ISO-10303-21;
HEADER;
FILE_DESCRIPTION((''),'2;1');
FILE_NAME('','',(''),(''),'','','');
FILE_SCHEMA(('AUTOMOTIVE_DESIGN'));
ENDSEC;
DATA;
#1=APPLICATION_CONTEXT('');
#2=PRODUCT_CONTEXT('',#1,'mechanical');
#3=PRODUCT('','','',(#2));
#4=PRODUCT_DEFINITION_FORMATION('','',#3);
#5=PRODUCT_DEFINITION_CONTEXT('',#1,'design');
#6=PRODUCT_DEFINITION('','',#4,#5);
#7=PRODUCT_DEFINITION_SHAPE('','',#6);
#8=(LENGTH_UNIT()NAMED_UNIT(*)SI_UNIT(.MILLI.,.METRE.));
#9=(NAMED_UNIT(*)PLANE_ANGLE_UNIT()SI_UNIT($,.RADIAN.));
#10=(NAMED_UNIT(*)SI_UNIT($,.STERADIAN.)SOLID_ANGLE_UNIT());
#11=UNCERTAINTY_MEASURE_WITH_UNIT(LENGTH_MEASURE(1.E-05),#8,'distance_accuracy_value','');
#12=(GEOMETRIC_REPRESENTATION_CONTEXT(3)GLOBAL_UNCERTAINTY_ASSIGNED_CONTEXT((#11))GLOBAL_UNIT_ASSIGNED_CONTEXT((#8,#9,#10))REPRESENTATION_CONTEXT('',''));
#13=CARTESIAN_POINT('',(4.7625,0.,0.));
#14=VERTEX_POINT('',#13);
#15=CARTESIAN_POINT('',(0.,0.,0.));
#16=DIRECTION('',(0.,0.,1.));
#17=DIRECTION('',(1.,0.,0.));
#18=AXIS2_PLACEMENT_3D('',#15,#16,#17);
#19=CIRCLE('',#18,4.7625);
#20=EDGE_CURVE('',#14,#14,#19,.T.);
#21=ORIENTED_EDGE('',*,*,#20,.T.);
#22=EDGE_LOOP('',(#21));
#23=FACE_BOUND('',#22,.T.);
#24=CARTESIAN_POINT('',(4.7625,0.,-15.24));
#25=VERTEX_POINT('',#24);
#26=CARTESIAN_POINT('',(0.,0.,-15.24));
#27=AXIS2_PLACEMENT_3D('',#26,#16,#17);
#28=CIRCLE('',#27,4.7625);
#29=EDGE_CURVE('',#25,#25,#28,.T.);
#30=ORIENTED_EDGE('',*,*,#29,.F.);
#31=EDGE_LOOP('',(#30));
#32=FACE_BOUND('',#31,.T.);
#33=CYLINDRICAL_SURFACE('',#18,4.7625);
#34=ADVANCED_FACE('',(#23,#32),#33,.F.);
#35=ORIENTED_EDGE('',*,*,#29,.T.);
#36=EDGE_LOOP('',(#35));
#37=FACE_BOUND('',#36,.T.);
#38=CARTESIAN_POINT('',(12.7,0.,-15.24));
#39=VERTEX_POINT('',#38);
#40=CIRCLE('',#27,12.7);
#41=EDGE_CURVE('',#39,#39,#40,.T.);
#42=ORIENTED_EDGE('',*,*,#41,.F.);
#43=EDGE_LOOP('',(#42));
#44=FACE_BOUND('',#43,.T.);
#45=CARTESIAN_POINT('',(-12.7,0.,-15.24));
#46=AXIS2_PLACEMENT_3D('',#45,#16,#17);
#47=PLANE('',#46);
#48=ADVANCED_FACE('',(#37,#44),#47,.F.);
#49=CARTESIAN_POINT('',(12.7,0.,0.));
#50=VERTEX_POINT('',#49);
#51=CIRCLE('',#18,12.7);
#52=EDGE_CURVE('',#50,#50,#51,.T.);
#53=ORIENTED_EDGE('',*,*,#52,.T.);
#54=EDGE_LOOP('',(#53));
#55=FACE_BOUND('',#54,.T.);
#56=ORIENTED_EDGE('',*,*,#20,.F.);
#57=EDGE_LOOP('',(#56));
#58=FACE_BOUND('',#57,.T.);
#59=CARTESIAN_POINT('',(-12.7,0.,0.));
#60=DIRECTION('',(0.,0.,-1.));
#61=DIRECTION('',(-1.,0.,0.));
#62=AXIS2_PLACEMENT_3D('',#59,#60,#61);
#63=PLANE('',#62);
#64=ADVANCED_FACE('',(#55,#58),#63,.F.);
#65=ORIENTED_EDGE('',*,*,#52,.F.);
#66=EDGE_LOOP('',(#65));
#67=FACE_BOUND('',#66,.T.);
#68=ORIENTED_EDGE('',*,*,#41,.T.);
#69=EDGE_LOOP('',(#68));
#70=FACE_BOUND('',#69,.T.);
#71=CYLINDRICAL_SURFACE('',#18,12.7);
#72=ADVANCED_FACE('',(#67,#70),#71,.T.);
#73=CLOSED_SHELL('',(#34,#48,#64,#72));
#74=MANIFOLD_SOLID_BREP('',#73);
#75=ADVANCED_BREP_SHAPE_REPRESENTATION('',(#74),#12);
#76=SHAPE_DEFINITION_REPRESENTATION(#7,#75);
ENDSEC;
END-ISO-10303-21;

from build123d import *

# Parameters (mm, degrees)
SKETCH1_W = 7.9375
SKETCH1_H = 15.24


with BuildPart() as part:
    # Sketch1 → Revolve1 (revolve)
    with BuildSketch(Plane(origin=(0, 0, 0), x_dir=(1, 0, 0), z_dir=(0, 1, 0)), mode=Mode.PRIVATE) as revolve1_sk:
        with Locations((-8.73125, 7.62)):
            Rectangle(SKETCH1_W, SKETCH1_H)
    revolve(revolve1_sk.sketch.rotate(Axis((0, 0, 0), (0, 0, -1)), 180), axis=Axis((0, 0, 0), (0, 0, -1)))


solid = part.part
